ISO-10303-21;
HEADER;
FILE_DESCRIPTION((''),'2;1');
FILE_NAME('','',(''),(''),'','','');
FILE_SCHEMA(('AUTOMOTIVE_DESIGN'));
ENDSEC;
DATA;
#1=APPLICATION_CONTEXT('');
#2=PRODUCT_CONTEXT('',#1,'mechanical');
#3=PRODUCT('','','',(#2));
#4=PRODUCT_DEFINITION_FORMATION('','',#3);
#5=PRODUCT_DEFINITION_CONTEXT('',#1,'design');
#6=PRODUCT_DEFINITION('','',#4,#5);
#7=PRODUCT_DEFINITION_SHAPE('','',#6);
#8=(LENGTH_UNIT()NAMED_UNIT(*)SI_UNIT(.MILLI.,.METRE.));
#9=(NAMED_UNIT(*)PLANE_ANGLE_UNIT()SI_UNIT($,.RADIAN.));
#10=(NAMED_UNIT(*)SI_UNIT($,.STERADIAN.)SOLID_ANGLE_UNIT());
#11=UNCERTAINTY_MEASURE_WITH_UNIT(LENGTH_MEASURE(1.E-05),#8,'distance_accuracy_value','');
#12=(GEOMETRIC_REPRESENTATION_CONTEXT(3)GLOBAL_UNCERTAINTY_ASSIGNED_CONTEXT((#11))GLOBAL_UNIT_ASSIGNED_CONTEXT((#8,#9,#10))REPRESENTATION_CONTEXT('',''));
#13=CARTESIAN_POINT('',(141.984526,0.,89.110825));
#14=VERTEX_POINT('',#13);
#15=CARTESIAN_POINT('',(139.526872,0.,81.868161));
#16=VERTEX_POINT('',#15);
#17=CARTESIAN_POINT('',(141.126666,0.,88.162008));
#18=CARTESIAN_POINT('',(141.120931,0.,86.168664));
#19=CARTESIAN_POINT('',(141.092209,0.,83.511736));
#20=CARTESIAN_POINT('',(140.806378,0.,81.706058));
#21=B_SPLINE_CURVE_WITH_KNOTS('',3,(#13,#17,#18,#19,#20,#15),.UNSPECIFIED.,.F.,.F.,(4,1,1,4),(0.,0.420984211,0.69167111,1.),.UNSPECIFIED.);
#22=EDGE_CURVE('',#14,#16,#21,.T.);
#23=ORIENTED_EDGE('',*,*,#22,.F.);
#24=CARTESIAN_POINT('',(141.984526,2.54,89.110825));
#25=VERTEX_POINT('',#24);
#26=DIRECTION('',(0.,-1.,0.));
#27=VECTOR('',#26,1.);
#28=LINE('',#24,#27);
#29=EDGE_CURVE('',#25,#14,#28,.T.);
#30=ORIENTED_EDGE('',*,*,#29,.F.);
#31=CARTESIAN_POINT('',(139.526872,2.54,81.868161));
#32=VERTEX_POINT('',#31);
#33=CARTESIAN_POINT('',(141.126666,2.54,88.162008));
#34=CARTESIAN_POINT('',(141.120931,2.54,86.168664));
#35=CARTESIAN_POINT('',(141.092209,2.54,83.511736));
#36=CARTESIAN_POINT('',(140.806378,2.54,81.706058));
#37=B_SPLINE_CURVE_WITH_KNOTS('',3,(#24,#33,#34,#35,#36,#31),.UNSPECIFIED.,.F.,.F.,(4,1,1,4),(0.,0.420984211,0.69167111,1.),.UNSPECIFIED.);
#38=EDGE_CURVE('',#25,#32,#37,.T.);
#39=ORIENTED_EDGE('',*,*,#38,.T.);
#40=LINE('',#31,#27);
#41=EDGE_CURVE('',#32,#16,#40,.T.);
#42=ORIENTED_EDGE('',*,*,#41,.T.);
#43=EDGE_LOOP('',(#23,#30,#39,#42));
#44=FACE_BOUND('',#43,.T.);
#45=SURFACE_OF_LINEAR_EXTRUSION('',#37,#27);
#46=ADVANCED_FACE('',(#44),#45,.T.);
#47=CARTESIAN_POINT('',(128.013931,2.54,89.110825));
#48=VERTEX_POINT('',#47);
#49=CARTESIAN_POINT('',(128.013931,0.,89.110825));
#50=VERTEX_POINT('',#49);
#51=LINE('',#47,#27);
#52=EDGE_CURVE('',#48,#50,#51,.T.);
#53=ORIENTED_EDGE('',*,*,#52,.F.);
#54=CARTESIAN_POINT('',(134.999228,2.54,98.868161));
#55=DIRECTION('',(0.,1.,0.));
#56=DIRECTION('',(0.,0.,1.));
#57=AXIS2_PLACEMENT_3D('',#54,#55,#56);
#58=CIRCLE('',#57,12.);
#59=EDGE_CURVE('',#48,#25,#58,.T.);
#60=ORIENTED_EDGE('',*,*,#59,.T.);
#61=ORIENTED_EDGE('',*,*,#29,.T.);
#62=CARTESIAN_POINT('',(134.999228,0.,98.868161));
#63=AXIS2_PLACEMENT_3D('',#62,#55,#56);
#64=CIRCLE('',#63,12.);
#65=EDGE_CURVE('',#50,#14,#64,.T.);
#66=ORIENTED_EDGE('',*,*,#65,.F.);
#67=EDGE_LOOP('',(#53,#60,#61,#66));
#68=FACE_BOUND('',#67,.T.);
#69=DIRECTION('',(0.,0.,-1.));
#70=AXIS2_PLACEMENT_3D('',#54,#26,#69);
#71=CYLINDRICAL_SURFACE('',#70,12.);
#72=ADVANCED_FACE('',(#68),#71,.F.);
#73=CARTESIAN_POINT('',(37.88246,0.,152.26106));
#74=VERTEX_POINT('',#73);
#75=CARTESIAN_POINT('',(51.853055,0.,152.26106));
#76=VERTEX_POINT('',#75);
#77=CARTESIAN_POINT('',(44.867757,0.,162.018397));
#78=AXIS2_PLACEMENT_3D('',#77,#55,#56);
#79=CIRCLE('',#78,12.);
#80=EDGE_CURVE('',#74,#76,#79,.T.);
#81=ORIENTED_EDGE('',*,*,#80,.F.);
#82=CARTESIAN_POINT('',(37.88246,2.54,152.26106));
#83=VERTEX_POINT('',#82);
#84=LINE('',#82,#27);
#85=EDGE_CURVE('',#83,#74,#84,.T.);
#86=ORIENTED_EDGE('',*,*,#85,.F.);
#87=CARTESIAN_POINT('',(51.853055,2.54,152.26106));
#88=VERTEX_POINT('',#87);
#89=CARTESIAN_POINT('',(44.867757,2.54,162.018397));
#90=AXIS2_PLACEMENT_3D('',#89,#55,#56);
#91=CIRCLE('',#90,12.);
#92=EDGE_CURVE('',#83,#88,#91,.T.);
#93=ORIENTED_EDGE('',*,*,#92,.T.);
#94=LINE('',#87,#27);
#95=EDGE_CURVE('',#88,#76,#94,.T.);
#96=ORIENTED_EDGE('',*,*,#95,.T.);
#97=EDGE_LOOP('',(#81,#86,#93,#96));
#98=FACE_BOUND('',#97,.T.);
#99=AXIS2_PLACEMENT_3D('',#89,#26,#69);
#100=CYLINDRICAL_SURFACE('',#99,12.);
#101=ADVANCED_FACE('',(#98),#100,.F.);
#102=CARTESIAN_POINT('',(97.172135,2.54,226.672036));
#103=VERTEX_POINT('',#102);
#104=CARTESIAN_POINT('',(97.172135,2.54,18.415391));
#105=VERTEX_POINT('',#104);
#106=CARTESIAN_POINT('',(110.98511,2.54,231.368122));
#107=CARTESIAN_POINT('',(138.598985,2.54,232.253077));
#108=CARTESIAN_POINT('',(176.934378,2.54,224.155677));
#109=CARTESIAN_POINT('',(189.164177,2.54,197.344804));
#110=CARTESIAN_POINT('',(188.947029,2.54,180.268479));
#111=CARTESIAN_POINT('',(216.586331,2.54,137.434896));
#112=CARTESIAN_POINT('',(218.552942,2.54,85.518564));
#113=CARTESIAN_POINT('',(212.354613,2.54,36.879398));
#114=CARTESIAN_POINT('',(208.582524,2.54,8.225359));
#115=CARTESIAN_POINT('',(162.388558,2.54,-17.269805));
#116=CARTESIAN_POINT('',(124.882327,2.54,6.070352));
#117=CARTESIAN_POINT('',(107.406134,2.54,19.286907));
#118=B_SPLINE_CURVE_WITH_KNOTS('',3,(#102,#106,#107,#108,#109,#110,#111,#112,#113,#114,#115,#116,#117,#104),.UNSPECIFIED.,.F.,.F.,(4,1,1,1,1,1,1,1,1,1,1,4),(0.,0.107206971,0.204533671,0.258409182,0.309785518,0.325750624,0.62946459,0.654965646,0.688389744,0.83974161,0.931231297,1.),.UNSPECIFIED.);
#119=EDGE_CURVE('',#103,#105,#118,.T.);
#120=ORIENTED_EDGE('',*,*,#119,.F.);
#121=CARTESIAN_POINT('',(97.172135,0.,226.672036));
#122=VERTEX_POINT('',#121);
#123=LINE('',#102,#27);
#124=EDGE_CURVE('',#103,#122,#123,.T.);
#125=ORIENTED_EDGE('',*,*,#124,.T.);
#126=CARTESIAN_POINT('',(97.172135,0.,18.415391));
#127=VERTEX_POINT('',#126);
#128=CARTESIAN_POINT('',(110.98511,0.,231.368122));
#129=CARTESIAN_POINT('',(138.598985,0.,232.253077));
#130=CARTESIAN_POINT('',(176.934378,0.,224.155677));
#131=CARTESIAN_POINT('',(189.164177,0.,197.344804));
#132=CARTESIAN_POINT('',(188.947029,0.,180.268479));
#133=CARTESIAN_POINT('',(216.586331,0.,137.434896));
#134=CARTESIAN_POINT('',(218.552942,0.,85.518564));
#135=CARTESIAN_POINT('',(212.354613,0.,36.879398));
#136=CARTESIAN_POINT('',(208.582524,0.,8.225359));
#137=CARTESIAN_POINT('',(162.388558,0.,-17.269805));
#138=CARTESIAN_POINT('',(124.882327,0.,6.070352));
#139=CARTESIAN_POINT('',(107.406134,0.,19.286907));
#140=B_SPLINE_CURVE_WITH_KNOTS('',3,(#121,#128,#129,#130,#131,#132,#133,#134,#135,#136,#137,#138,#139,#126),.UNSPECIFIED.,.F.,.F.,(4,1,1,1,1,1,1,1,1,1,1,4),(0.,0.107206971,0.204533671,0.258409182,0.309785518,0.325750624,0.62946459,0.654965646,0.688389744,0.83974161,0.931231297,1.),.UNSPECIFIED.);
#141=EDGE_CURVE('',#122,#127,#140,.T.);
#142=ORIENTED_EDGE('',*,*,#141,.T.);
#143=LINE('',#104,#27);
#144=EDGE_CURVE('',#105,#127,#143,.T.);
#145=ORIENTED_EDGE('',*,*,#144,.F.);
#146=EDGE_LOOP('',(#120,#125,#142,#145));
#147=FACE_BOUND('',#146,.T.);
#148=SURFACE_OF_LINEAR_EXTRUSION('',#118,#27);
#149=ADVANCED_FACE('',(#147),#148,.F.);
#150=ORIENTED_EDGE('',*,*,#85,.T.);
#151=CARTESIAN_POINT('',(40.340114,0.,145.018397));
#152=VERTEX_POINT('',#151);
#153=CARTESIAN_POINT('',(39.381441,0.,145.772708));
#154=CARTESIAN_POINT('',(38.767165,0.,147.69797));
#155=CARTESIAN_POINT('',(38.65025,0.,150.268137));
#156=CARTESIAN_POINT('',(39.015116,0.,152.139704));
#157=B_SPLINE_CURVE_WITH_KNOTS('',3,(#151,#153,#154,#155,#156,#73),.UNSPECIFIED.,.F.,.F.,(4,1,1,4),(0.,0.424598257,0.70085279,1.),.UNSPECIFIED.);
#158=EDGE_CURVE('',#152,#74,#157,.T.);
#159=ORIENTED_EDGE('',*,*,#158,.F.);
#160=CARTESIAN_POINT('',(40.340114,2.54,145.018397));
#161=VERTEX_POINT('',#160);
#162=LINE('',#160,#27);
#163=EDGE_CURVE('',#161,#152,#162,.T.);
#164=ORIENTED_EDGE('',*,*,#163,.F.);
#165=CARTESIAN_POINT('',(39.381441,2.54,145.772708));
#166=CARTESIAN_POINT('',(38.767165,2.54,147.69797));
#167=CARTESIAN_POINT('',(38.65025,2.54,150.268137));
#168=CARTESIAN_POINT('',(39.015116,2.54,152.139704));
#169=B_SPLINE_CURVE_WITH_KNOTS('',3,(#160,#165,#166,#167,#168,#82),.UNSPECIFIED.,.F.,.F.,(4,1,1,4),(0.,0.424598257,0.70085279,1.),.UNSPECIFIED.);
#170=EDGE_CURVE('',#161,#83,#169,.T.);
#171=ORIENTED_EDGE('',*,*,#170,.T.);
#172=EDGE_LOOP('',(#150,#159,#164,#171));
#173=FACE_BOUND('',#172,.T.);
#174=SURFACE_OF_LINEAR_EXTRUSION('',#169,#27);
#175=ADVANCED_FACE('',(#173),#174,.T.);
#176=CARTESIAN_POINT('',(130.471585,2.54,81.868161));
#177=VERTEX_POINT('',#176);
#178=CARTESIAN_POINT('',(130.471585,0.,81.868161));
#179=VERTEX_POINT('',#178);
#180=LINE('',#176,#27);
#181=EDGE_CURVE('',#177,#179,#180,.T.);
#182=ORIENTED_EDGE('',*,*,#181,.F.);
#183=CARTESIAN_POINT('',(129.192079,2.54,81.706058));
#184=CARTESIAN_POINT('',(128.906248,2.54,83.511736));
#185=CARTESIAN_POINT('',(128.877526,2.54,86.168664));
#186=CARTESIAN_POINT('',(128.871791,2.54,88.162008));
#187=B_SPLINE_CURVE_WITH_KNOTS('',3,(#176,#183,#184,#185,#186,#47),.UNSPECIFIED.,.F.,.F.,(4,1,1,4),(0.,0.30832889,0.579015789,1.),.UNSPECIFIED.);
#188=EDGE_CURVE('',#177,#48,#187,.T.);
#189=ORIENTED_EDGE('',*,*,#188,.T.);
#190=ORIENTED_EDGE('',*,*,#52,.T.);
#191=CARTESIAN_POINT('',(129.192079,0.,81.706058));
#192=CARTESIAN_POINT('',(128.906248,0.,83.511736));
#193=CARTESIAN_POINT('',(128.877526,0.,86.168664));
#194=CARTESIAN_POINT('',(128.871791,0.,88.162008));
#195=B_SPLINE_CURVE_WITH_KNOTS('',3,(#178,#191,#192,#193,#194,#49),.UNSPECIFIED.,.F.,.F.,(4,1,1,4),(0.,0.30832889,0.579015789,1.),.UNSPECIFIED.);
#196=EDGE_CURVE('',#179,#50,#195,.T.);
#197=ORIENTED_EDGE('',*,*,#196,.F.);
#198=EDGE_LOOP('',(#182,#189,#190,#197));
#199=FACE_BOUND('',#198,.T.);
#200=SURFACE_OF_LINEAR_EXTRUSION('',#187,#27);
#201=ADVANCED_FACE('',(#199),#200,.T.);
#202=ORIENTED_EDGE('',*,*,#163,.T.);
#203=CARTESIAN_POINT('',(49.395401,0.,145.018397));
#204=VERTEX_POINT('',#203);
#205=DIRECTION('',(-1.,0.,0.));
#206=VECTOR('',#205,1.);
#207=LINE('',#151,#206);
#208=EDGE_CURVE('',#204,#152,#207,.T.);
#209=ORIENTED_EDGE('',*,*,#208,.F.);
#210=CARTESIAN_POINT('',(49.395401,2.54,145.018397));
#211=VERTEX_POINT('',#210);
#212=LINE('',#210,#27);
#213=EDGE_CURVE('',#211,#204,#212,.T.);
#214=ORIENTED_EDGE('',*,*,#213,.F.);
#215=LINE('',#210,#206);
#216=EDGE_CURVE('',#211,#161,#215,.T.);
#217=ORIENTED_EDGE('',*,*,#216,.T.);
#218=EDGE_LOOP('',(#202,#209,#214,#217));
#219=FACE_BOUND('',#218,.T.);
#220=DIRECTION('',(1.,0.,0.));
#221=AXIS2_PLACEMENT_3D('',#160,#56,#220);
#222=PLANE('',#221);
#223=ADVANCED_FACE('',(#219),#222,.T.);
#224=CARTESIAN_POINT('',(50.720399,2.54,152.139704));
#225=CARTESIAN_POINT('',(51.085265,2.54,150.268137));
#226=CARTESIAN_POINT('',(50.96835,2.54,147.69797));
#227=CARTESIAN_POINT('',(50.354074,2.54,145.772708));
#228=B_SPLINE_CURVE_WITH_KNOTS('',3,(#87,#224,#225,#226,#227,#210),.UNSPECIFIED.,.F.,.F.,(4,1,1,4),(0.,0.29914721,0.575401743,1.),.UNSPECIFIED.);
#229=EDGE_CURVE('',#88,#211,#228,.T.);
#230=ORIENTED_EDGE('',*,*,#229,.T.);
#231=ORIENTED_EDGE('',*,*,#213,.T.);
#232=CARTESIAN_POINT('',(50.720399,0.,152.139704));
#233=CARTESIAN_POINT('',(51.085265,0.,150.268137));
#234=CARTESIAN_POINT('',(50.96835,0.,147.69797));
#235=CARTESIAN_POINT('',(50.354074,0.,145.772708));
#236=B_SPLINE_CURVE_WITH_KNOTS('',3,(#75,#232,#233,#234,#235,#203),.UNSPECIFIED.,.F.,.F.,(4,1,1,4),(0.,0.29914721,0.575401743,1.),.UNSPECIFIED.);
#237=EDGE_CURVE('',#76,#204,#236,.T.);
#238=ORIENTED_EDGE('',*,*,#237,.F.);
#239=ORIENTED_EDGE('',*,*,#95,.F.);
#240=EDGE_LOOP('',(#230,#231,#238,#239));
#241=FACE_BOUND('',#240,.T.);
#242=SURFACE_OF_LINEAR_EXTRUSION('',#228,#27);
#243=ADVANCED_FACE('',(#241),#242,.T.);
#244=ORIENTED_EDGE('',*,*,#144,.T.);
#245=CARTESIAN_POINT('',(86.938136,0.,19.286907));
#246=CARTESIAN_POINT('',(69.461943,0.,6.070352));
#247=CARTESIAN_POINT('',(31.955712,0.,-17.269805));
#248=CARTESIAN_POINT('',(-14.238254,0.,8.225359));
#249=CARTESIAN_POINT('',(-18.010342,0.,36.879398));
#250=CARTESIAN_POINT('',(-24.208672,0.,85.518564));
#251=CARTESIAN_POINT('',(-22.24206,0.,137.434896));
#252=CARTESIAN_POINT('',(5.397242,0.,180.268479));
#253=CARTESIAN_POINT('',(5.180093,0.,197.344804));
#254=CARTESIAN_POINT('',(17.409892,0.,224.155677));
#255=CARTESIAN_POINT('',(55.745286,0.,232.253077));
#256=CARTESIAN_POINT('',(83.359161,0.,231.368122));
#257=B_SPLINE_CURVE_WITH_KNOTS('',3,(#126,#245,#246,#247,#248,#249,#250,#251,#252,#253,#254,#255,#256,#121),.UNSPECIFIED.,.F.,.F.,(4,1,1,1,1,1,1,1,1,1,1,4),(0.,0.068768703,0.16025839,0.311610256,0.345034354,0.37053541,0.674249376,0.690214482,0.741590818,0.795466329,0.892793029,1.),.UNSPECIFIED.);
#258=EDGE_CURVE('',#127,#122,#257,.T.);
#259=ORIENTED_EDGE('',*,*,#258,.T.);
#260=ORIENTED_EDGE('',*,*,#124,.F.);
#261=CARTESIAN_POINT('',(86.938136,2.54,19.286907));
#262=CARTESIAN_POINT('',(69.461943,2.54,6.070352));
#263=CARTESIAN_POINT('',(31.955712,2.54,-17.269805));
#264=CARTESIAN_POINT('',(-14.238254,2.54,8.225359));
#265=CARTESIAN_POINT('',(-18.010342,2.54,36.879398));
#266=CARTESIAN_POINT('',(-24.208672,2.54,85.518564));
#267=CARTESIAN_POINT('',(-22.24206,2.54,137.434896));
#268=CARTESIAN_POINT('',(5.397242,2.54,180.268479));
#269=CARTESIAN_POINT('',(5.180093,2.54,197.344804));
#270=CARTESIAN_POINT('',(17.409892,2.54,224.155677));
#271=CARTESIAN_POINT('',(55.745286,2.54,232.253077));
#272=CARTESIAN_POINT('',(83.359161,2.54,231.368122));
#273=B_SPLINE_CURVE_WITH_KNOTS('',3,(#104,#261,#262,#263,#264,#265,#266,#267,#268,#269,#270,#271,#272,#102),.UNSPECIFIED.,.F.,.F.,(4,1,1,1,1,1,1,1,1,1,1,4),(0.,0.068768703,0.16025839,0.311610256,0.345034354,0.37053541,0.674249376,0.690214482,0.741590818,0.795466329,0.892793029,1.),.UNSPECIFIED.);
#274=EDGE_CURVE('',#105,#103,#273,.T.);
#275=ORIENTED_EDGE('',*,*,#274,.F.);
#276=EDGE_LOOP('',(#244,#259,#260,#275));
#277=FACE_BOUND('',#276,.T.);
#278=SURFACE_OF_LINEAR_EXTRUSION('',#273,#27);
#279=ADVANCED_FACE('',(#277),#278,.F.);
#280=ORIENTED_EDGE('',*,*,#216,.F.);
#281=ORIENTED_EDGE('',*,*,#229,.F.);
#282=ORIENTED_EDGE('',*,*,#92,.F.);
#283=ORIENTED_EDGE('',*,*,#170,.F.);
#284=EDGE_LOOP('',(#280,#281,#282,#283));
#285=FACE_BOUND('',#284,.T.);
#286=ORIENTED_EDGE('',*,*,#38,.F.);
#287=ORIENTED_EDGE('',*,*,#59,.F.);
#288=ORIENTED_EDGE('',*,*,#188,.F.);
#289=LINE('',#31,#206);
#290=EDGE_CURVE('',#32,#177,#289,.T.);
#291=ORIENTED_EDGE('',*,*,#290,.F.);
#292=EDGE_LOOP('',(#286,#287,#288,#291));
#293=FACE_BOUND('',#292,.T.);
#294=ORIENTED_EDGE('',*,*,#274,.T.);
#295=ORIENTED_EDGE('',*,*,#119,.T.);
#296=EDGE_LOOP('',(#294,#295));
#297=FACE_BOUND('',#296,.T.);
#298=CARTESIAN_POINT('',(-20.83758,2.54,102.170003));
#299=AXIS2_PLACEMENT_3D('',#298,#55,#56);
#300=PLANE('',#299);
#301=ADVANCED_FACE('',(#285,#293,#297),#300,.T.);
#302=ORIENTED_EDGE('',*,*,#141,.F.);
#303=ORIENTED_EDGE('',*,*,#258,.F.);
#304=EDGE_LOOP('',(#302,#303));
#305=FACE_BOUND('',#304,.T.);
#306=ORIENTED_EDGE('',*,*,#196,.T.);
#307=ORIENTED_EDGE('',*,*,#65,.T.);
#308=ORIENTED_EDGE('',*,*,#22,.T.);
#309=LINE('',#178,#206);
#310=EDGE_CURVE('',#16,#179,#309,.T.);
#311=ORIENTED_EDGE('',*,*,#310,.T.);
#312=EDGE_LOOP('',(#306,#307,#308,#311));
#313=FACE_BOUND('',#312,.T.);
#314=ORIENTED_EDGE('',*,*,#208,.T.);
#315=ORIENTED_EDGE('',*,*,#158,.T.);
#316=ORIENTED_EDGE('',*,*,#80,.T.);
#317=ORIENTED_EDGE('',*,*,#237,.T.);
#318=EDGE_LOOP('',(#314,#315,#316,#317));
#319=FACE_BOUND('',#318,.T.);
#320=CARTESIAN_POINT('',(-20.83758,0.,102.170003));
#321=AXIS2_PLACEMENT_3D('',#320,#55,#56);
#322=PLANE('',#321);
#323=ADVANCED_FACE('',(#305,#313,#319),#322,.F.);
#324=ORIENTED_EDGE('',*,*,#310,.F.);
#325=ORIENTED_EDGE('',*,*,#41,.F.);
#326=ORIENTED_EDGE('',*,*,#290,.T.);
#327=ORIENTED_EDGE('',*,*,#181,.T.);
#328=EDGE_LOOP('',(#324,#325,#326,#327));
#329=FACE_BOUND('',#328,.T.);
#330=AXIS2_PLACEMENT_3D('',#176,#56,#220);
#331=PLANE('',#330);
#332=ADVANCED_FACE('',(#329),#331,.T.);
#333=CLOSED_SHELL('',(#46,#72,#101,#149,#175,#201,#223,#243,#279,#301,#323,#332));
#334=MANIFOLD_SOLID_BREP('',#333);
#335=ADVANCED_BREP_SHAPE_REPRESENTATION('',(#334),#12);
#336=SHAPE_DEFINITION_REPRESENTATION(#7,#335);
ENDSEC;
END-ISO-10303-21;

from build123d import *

# Parameters (mm, degrees)
BOSS_EXTRUDE1_DEPTH = 2.54


with BuildPart() as part:
    # Sketch1 → Boss-Extrude1 (new body)
    with BuildSketch(Plane(origin=(0, 0, 0), x_dir=(1, 0, 0), z_dir=(0, 1, 0))):
        with BuildLine():
            add(Edge.make_bspline(
                [(97.172135124, -18.415391272), (107.406134364, -19.286906728), (124.882327, -6.070352296), (162.388558115, 17.269805069), (208.58252399, -8.22535922), (212.354612626, -36.879397702), (218.552942284, -85.518563944), (216.586330518, -137.434896367), (188.947028507, -180.268479022), (189.164176864, -197.344803998), (176.934378203, -224.155676751), (138.598984513, -232.253076747), (110.98510957, -231.368122157), (97.172135124, -226.672036014)],
                knots=[0, 0, 0, 0, 0.068768703, 0.16025839, 0.311610256, 0.345034354, 0.37053541, 0.674249376, 0.690214482, 0.741590818, 0.795466329, 0.892793029, 1, 1, 1, 1], degree=3))
            add(Edge.make_bspline(
                [(97.172135124, -18.415391272), (86.938135885, -19.286906728), (69.461943248, -6.070352296), (31.955712133, 17.269805069), (-14.238253742, -8.22535922), (-18.010342378, -36.879397702), (-24.208672036, -85.518563944), (-22.24206027, -137.434896367), (5.397241741, -180.268479022), (5.180093384, -197.344803998), (17.409892046, -224.155676751), (55.745285735, -232.253076747), (83.359160679, -231.368122157), (97.172135124, -226.672036014)],
                knots=[0, 0, 0, 0, 0.068768703, 0.16025839, 0.311610256, 0.345034354, 0.37053541, 0.674249376, 0.690214482, 0.741590818, 0.795466329, 0.892793029, 1, 1, 1, 1], degree=3))
        make_face()
        with BuildLine():
            Line((139.526871586, -81.868161302), (135.099715556, -81.868161302))
            Line((135.099715556, -81.868161302), (134.898741205, -81.868161302))
            Line((134.898741205, -81.868161302), (130.471585174, -81.868161302))
            add(Edge.make_bspline(
                [(128.013930771, -89.110824713), (128.871790734, -88.162008062), (128.877525775, -86.168664391), (128.906248151, -83.511735671), (129.192079186, -81.706057522), (130.471585174, -81.868161302)],
                knots=[0, 0, 0, 0, 0.420984211, 0.69167111, 1, 1, 1, 1], degree=3))
            ThreePointArc((128.013930771, -89.110824713), (134.99922838, -110.868161302), (141.984525989, -89.110824713))
            add(Edge.make_bspline(
                [(141.984525989, -89.110824713), (141.126666026, -88.162008062), (141.120930985, -86.168664391), (141.092208609, -83.511735671), (140.806377574, -81.706057522), (139.526871586, -81.868161302)],
                knots=[0, 0, 0, 0, 0.420984211, 0.69167111, 1, 1, 1, 1], degree=3))
        make_face(mode=Mode.SUBTRACT)
        with BuildLine():
            Line((40.340114274, -145.018397049), (44.767270304, -145.018397049))
            Line((44.767270304, -145.018397049), (44.968244655, -145.018397049))
            Line((44.968244655, -145.018397049), (49.395400686, -145.018397049))
            add(Edge.make_bspline(
                [(51.853055088, -152.26106046), (50.720398562, -152.139704427), (51.085264768, -150.268136991), (50.968349677, -147.697970296), (50.354074276, -145.772707702), (49.395400686, -145.018397049)],
                knots=[0, 0, 0, 0, 0.29914721, 0.575401743, 1, 1, 1, 1], degree=3))
            ThreePointArc((51.853055088, -152.26106046), (44.86775748, -174.018397049), (37.882459871, -152.26106046))
            add(Edge.make_bspline(
                [(37.882459871, -152.26106046), (39.015116397, -152.139704427), (38.650250191, -150.268136991), (38.767165282, -147.697970296), (39.381440683, -145.772707702), (40.340114274, -145.018397049)],
                knots=[0, 0, 0, 0, 0.29914721, 0.575401743, 1, 1, 1, 1], degree=3))
        make_face(mode=Mode.SUBTRACT)
    extrude(amount=BOSS_EXTRUDE1_DEPTH)


solid = part.part
